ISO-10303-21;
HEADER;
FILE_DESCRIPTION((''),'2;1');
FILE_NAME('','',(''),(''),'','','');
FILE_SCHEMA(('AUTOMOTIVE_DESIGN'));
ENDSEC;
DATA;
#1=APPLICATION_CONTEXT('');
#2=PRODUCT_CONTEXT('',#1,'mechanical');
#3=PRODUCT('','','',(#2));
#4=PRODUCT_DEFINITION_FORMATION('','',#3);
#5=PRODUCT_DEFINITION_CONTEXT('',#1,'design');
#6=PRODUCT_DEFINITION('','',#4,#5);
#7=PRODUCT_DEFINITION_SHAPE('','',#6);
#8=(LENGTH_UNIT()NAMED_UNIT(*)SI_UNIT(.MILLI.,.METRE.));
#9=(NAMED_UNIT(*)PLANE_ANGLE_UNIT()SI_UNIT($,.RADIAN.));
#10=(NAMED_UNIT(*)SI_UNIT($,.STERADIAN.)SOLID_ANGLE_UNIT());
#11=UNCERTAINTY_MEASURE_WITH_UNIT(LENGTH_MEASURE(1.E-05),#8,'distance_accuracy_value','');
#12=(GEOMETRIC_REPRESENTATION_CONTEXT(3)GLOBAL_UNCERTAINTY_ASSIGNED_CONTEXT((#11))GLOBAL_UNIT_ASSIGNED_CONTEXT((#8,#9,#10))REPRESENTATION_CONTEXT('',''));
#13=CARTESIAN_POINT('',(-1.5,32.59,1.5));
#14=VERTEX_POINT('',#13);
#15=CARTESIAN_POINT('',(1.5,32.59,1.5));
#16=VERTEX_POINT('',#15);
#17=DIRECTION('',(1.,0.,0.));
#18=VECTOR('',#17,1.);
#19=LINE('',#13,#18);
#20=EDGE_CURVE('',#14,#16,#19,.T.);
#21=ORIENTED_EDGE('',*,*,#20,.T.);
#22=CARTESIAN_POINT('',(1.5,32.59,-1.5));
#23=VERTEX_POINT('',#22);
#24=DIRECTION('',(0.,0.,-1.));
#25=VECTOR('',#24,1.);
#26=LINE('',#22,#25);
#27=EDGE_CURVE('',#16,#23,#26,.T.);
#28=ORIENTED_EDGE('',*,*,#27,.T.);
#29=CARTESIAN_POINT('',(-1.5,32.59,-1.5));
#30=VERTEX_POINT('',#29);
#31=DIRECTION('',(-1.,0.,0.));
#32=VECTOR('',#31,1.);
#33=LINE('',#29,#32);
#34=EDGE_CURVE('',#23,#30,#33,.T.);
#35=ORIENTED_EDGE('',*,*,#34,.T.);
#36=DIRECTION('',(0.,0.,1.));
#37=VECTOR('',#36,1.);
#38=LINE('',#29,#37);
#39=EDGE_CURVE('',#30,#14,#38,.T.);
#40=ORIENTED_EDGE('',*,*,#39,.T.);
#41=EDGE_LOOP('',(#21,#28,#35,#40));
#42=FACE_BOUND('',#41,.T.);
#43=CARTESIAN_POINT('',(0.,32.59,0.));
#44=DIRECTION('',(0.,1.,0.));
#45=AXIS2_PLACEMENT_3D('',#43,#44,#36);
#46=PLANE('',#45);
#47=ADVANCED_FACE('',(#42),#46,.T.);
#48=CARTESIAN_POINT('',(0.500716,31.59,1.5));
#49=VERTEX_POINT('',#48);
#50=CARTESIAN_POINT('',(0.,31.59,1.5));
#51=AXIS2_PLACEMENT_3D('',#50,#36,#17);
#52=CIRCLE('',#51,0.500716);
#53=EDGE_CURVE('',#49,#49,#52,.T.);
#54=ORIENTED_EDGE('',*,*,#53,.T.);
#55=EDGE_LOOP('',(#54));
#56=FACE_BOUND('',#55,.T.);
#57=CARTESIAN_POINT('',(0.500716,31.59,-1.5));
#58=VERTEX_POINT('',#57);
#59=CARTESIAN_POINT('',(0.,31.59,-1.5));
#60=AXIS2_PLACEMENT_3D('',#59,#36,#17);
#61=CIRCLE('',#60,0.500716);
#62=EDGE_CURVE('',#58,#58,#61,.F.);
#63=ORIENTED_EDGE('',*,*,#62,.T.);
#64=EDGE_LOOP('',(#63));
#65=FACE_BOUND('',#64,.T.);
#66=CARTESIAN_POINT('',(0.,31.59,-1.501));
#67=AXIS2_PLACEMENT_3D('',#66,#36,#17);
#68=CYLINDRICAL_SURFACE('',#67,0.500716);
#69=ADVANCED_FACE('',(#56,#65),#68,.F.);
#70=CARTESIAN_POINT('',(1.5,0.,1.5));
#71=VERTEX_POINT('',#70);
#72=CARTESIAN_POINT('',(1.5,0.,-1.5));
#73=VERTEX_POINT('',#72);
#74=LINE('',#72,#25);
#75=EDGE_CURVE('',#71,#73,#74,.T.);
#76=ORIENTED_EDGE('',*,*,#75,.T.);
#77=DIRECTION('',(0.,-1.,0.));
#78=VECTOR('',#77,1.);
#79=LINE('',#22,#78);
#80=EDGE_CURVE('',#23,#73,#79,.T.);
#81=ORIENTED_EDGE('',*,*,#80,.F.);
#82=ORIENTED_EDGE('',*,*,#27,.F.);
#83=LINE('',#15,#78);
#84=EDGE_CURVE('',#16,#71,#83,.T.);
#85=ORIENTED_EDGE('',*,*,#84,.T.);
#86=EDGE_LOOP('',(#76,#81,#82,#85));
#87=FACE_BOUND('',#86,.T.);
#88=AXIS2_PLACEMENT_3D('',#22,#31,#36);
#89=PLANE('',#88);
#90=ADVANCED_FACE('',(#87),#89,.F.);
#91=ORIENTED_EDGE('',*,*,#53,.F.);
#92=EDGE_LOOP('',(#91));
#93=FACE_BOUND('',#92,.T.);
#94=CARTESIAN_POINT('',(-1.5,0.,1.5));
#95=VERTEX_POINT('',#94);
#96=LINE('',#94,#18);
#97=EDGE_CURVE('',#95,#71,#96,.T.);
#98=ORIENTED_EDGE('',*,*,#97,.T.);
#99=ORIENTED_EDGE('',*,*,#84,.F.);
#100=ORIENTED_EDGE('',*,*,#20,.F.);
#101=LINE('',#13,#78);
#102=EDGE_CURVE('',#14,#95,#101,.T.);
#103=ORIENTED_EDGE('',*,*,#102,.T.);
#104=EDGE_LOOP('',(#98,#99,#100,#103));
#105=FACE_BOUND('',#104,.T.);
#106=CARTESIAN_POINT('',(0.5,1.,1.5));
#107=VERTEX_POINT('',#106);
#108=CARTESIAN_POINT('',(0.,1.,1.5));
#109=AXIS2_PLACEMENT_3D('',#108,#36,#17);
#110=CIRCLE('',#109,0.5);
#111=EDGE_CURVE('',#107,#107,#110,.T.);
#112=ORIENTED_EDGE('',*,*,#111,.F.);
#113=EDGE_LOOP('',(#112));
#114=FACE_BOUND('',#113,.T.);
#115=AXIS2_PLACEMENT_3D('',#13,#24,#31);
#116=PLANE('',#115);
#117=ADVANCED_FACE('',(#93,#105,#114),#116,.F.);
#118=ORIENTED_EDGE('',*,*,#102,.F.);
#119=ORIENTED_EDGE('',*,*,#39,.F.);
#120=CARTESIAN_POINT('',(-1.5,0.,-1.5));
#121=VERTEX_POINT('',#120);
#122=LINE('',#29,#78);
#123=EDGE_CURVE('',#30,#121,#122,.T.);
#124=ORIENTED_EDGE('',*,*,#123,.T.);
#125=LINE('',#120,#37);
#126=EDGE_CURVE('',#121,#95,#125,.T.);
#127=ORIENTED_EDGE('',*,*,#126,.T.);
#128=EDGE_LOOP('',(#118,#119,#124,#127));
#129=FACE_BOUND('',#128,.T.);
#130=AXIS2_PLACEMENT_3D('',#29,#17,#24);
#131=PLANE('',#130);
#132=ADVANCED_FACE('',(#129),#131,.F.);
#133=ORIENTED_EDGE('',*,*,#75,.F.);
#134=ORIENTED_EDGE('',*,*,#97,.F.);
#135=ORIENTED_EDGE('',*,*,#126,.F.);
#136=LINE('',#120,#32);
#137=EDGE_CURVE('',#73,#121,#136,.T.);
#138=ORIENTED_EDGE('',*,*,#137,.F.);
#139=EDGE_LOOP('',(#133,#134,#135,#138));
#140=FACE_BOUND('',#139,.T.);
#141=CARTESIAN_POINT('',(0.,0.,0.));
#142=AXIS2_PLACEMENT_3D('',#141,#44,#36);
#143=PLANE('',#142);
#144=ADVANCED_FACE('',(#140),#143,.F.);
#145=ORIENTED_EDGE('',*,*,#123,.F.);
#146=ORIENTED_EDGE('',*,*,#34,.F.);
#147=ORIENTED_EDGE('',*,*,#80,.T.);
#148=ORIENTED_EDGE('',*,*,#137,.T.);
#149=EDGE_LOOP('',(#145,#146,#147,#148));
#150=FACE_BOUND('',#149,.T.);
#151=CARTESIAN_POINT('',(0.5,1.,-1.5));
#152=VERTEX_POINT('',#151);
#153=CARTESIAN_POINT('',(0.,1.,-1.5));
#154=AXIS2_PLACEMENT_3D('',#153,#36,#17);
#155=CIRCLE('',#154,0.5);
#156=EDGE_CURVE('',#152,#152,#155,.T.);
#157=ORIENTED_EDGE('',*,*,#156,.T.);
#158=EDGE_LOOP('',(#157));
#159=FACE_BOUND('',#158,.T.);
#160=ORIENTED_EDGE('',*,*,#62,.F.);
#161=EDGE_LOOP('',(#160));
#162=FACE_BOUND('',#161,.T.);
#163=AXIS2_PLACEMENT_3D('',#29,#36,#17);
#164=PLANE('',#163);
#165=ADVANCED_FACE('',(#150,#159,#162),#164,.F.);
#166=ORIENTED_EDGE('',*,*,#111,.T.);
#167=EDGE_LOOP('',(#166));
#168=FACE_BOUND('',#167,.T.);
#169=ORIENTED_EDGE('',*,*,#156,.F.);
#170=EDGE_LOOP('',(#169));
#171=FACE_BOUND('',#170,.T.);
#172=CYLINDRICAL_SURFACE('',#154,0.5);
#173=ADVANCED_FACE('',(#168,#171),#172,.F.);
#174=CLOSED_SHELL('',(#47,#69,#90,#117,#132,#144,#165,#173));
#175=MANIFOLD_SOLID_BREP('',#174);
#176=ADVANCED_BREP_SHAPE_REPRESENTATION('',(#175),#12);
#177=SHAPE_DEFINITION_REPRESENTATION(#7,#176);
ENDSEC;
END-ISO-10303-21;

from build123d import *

# Parameters (mm, degrees)
SKETCH1_W           = 3
SKETCH1_H           = 3
BOSS_EXTRUDE1_DEPTH = 32.59
SKETCH2_R           = 0.5
CUT_EXTRUDE1_DEPTH  = 4
CUT_EXTRUDE2_REACH  = 5
SKETCH3_R           = 0.500716242


with BuildPart() as part:
    # Sketch1 → Boss-Extrude1 (new body)
    with BuildSketch(Plane(origin=(0, 0, 0), x_dir=(1, 0, 0), z_dir=(0, 1, 0))):
        Rectangle(SKETCH1_W, SKETCH1_H)
    extrude(amount=BOSS_EXTRUDE1_DEPTH)

    # Sketch2 → Cut-Extrude1 (cut, through all)
    with BuildSketch(Plane.XY.offset(1.5)):
        with Locations((0, 1)):
            Circle(SKETCH2_R)
    extrude(amount=-CUT_EXTRUDE1_DEPTH, mode=Mode.SUBTRACT)

    # Sketch3 → Cut-Extrude2 (cut, up to next)
    with BuildSketch(Plane.XY.offset(1.5), mode=Mode.PRIVATE) as cut_extrude2_sk1:
        with Locations((0, 31.59)):
            Circle(SKETCH3_R)
    cut_extrude2_tool1 = extrude(cut_extrude2_sk1.sketch, amount=-CUT_EXTRUDE2_REACH, mode=Mode.PRIVATE) & part.part
    add(cut_extrude2_tool1.solids().sort_by_distance((0, 31.59, 1.5))[0], mode=Mode.SUBTRACT)


solid = part.part
